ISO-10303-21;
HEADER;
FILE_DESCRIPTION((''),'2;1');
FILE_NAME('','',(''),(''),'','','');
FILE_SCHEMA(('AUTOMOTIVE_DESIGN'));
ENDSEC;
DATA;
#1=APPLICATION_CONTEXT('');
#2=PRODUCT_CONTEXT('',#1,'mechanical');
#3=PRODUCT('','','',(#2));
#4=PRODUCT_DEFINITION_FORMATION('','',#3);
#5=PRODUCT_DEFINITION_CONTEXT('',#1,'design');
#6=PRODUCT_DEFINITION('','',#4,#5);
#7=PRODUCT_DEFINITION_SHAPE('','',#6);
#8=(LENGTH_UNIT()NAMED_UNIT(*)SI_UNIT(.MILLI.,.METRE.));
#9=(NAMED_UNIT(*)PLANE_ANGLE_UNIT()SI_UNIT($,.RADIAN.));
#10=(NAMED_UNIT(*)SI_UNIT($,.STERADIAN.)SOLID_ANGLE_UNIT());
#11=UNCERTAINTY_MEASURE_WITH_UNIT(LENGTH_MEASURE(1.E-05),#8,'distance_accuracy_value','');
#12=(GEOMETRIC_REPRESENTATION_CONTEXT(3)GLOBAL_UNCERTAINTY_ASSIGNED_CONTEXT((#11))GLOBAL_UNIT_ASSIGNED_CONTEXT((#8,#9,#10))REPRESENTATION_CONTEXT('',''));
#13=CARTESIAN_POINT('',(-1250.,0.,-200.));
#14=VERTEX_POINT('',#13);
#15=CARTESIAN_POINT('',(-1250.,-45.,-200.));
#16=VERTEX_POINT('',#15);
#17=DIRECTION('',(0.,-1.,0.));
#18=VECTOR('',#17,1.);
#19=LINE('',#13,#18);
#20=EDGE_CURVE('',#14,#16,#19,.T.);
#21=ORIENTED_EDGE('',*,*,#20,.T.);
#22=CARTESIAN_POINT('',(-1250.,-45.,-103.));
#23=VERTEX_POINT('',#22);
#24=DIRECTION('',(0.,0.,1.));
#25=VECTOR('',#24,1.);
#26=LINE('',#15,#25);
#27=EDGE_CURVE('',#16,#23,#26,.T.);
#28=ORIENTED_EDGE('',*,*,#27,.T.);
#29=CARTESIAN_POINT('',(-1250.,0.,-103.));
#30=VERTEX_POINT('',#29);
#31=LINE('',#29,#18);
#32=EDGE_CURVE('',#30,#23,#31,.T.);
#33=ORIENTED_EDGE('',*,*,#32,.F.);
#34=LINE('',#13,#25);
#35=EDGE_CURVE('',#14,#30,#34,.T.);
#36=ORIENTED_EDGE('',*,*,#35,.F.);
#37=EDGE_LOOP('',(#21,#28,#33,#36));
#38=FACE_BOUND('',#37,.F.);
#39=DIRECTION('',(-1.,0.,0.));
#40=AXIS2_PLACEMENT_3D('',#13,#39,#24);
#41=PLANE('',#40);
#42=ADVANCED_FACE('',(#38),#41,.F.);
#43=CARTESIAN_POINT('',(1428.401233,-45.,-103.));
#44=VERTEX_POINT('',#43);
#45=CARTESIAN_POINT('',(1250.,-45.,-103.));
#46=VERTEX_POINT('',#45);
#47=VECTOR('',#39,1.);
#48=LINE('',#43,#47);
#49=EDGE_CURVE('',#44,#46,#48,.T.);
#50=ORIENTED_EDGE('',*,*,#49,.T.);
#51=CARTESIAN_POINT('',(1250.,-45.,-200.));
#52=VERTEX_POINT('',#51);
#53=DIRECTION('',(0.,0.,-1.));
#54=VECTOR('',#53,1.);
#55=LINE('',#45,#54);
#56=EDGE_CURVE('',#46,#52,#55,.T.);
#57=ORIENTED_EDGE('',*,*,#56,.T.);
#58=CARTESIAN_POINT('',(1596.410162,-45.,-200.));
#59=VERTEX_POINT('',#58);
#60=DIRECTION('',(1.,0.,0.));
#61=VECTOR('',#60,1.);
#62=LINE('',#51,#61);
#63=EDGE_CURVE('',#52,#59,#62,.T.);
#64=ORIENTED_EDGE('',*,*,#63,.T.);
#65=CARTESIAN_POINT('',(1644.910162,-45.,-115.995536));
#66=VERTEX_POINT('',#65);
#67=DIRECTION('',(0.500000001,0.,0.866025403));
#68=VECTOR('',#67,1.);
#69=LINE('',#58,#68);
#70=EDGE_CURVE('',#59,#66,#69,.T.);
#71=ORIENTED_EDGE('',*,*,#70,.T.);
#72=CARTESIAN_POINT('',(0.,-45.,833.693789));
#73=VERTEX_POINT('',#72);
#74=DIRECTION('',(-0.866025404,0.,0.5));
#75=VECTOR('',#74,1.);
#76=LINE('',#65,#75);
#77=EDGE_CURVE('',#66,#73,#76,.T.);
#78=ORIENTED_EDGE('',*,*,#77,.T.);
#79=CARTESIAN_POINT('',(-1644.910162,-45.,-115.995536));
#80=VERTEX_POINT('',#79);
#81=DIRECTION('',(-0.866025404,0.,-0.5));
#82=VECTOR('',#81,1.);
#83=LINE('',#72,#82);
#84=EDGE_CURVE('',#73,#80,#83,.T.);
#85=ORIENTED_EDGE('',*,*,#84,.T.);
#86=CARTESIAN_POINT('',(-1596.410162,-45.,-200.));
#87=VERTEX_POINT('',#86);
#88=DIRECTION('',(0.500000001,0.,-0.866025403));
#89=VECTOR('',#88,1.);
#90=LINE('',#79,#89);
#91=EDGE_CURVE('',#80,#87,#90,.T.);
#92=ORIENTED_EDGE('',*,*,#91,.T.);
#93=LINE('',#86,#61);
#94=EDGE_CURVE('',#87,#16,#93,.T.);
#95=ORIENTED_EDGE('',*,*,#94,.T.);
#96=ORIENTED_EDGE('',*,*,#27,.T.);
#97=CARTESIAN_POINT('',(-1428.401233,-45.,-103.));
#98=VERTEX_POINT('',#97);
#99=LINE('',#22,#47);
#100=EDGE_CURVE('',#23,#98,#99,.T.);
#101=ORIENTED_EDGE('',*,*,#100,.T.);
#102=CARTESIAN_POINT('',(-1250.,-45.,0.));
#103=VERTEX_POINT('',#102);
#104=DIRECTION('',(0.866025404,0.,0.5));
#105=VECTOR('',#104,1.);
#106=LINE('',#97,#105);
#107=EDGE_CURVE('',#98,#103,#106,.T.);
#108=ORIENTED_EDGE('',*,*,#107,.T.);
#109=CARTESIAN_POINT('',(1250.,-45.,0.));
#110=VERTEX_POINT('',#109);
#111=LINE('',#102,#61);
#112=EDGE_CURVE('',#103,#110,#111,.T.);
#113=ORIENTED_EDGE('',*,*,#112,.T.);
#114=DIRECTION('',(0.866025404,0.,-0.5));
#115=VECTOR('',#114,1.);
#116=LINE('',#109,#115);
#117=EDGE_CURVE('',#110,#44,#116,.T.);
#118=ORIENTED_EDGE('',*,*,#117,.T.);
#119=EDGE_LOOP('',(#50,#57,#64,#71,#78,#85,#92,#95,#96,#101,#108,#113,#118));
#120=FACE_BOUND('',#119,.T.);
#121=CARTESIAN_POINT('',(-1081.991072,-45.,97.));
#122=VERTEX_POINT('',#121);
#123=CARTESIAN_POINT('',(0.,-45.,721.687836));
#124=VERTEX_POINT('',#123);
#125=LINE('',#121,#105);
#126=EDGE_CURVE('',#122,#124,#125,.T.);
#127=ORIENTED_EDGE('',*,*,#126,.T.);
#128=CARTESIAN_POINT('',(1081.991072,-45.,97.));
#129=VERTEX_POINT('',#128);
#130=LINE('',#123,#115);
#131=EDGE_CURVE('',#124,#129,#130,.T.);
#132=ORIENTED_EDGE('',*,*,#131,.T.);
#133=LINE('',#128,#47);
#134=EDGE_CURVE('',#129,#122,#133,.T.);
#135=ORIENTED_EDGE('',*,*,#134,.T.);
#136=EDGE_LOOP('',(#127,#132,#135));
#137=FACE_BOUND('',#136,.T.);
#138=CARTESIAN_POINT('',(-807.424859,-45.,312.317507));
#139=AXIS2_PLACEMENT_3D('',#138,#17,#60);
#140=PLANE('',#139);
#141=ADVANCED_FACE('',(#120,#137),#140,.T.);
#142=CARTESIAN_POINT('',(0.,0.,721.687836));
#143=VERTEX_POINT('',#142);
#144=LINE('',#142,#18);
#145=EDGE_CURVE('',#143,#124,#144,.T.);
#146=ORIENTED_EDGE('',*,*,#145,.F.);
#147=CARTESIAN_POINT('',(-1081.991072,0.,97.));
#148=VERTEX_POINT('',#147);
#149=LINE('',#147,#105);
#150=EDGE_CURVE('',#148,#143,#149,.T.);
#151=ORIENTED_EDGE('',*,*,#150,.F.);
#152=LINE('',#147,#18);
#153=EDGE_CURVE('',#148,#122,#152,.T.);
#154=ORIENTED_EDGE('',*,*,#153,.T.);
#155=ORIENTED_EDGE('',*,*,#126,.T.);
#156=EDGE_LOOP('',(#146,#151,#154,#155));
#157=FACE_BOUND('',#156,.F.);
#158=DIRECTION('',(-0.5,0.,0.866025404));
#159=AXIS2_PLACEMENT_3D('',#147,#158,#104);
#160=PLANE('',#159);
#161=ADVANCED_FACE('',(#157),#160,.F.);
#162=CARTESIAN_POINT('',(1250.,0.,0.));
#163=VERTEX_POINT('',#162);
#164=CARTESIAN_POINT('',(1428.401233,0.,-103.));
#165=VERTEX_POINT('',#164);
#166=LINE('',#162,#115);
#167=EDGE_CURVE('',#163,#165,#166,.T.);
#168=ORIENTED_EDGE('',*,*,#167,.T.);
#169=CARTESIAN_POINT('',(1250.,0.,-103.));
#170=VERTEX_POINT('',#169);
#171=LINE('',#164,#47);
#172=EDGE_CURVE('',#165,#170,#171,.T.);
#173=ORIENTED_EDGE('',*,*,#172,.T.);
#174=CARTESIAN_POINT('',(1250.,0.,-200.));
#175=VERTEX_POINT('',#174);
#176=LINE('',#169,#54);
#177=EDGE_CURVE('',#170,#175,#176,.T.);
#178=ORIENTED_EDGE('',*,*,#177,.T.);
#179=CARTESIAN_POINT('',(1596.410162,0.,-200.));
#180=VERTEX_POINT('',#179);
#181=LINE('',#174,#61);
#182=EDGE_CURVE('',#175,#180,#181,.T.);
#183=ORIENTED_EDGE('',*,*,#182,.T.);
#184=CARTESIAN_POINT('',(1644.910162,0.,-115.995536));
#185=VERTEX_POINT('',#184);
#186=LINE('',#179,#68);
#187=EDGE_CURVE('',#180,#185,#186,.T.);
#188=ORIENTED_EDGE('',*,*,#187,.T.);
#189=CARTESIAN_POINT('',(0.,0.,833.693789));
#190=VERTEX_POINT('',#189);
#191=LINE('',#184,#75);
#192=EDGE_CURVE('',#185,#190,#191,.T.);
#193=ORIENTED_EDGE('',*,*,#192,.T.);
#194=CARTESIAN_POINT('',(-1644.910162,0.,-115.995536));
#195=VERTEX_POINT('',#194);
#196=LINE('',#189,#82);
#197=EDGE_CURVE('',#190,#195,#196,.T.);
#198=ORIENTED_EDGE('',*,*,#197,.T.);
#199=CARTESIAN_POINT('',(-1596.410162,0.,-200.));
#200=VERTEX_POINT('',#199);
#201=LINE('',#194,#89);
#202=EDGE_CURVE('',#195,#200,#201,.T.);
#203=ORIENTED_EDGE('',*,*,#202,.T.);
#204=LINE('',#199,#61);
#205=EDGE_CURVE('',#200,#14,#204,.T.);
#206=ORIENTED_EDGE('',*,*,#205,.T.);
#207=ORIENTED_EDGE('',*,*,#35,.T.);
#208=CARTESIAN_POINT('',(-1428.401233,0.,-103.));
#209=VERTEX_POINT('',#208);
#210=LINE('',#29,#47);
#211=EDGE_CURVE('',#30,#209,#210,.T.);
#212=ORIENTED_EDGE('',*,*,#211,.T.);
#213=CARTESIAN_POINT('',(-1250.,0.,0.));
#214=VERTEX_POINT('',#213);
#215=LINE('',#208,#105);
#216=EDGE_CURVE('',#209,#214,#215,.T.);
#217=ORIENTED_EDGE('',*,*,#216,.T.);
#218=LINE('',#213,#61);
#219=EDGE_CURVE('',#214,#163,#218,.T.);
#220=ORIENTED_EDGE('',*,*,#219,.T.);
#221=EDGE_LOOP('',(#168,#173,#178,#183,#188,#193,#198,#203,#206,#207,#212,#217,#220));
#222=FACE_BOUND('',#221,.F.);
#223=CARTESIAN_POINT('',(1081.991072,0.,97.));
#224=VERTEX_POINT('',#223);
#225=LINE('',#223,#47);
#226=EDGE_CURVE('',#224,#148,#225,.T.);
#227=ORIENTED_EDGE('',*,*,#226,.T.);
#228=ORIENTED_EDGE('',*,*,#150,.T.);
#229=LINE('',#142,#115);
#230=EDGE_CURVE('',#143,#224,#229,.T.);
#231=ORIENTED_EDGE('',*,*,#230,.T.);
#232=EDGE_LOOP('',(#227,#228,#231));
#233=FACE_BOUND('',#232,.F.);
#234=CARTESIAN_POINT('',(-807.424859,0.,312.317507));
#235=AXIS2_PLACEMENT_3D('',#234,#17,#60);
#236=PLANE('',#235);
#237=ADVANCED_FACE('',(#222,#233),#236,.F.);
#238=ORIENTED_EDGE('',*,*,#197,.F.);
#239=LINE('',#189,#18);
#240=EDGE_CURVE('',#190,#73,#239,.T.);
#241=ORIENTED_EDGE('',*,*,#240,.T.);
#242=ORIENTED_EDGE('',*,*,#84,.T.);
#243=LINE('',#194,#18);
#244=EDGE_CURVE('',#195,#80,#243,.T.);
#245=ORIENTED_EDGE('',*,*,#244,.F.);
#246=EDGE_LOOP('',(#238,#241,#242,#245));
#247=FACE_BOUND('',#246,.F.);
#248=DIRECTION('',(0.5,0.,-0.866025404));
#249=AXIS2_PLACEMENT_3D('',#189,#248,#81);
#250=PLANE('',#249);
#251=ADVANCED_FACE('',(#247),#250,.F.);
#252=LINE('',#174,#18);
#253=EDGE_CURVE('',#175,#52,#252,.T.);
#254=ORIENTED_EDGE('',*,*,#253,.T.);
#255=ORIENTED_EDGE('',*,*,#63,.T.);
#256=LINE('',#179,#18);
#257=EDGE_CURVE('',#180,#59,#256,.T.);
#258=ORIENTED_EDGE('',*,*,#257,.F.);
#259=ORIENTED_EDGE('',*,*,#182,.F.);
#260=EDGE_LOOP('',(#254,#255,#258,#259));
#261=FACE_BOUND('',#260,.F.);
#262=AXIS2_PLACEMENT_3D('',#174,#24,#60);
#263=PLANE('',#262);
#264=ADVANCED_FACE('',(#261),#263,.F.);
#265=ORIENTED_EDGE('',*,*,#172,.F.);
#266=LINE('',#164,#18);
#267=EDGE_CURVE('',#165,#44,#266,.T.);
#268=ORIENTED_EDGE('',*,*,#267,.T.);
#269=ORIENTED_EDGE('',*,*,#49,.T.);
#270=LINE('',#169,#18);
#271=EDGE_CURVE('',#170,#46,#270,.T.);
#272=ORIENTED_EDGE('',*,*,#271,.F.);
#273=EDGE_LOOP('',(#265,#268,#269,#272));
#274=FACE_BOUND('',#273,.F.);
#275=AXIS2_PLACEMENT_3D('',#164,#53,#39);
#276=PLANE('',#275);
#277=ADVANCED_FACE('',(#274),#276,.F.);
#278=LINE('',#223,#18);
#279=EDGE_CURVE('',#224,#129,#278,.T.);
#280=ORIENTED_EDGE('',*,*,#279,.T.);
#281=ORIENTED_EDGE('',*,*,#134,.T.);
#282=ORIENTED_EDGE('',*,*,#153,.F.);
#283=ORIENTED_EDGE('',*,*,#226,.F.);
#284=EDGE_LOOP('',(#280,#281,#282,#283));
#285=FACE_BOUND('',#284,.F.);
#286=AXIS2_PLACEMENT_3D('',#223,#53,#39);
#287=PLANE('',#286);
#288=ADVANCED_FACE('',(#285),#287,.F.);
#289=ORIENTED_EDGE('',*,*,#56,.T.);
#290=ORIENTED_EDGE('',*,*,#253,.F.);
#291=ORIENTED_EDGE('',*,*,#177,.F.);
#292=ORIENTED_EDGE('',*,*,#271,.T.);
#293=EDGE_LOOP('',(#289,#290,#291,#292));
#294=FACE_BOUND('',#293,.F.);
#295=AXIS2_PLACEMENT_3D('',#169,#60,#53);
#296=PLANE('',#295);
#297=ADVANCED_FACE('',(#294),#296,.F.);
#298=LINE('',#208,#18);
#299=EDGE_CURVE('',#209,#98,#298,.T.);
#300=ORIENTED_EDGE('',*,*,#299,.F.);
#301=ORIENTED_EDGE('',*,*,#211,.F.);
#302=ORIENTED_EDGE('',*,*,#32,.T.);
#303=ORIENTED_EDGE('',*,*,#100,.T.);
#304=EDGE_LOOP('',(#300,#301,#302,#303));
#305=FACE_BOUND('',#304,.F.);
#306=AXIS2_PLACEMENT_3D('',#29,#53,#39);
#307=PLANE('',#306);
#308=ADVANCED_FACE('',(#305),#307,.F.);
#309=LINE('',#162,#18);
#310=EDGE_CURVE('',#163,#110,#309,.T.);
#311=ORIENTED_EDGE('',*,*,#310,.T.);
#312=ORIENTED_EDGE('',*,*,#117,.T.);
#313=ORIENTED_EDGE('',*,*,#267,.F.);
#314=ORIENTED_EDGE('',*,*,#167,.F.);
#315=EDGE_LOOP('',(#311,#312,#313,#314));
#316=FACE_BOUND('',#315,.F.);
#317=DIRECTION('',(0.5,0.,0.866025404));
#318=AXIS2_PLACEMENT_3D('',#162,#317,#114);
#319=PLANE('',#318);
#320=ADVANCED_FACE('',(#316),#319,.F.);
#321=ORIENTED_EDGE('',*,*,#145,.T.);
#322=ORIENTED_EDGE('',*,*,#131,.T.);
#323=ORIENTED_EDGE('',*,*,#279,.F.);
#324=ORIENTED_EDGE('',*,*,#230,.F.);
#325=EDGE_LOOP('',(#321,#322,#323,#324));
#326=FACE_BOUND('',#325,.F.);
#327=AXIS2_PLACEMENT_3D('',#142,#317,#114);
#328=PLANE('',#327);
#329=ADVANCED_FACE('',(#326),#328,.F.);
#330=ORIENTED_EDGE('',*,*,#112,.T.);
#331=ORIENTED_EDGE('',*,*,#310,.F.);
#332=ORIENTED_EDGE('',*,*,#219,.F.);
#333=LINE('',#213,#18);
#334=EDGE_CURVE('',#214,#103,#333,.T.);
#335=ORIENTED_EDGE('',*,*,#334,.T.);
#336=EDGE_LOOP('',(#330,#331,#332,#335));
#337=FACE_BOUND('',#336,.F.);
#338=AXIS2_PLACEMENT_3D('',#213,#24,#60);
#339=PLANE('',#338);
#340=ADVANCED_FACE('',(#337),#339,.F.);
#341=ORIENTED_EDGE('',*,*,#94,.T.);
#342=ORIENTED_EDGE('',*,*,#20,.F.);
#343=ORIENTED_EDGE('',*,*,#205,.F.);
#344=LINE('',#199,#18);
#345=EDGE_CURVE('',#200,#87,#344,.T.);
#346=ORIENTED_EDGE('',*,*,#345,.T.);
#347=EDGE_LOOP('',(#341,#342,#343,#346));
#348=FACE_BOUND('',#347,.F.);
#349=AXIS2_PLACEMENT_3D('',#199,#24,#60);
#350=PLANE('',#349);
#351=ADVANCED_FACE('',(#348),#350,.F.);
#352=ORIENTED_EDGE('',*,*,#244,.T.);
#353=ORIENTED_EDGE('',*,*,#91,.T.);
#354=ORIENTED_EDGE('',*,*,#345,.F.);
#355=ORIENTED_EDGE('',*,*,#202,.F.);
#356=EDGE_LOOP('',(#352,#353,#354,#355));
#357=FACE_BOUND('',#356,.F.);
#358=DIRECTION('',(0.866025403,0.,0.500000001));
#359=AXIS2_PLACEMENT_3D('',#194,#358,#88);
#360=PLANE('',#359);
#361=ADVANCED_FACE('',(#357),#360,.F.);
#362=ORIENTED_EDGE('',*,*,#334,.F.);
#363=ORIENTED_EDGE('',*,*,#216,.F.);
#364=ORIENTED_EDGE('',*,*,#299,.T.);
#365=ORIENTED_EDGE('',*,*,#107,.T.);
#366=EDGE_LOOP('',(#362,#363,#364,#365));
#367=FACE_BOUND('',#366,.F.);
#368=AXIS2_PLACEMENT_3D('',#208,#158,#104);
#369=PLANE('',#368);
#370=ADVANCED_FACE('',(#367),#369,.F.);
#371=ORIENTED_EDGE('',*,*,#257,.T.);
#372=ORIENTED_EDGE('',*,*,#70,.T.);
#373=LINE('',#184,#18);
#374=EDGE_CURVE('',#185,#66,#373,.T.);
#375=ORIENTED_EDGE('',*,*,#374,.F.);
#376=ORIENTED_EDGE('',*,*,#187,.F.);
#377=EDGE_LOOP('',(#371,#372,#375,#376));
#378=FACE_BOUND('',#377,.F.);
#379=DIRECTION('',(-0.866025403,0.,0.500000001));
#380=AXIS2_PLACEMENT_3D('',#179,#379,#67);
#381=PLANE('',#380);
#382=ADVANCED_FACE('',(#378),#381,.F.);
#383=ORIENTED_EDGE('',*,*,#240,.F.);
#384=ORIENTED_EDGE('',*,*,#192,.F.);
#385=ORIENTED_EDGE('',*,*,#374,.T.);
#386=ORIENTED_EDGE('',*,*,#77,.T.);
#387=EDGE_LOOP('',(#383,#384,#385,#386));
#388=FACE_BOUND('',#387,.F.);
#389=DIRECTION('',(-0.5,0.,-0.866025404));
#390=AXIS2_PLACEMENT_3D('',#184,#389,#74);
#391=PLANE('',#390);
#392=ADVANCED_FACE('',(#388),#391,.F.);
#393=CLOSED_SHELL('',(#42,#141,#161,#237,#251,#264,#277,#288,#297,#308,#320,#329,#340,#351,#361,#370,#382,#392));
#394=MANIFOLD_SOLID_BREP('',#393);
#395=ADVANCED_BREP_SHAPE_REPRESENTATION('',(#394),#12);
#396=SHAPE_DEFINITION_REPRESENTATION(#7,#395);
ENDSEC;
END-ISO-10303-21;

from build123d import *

# Parameters (mm, degrees)
F1_DEPTH = 45


with BuildPart() as f1:
    # F0 (on Front) → F1 (new body)
    with BuildSketch(Plane.XZ):
        Polygon((0, 721.687836), (0, 833.693789), (-1644.910162, -115.995536), (-1596.410162, -200), (-1428.401233, -103), (-1250, 0), (-1081.991072, 97), align=None)
        Polygon((1596.410162, -200), (1644.910162, -115.995536), (0, 833.693789), (0, 721.687836), (1081.991072, 97), (1250, 0), (1428.401233, -103), align=None)
        Polygon((1250, 0), (1081.991072, 97), (0, 97), (0, 0), (1153, 0), align=None)
        Polygon((0, 97), (-1081.991072, 97), (-1250, 0), (-1153, 0), (0, 0), align=None)
        Polygon((-1428.401233, -103), (-1596.410162, -200), (-1250, -200), (-1250, -103), align=None)
        Polygon((1250, -200), (1596.410162, -200), (1428.401233, -103), (1250, -103), align=None)
    extrude(amount=F1_DEPTH)


solid = f1.part
